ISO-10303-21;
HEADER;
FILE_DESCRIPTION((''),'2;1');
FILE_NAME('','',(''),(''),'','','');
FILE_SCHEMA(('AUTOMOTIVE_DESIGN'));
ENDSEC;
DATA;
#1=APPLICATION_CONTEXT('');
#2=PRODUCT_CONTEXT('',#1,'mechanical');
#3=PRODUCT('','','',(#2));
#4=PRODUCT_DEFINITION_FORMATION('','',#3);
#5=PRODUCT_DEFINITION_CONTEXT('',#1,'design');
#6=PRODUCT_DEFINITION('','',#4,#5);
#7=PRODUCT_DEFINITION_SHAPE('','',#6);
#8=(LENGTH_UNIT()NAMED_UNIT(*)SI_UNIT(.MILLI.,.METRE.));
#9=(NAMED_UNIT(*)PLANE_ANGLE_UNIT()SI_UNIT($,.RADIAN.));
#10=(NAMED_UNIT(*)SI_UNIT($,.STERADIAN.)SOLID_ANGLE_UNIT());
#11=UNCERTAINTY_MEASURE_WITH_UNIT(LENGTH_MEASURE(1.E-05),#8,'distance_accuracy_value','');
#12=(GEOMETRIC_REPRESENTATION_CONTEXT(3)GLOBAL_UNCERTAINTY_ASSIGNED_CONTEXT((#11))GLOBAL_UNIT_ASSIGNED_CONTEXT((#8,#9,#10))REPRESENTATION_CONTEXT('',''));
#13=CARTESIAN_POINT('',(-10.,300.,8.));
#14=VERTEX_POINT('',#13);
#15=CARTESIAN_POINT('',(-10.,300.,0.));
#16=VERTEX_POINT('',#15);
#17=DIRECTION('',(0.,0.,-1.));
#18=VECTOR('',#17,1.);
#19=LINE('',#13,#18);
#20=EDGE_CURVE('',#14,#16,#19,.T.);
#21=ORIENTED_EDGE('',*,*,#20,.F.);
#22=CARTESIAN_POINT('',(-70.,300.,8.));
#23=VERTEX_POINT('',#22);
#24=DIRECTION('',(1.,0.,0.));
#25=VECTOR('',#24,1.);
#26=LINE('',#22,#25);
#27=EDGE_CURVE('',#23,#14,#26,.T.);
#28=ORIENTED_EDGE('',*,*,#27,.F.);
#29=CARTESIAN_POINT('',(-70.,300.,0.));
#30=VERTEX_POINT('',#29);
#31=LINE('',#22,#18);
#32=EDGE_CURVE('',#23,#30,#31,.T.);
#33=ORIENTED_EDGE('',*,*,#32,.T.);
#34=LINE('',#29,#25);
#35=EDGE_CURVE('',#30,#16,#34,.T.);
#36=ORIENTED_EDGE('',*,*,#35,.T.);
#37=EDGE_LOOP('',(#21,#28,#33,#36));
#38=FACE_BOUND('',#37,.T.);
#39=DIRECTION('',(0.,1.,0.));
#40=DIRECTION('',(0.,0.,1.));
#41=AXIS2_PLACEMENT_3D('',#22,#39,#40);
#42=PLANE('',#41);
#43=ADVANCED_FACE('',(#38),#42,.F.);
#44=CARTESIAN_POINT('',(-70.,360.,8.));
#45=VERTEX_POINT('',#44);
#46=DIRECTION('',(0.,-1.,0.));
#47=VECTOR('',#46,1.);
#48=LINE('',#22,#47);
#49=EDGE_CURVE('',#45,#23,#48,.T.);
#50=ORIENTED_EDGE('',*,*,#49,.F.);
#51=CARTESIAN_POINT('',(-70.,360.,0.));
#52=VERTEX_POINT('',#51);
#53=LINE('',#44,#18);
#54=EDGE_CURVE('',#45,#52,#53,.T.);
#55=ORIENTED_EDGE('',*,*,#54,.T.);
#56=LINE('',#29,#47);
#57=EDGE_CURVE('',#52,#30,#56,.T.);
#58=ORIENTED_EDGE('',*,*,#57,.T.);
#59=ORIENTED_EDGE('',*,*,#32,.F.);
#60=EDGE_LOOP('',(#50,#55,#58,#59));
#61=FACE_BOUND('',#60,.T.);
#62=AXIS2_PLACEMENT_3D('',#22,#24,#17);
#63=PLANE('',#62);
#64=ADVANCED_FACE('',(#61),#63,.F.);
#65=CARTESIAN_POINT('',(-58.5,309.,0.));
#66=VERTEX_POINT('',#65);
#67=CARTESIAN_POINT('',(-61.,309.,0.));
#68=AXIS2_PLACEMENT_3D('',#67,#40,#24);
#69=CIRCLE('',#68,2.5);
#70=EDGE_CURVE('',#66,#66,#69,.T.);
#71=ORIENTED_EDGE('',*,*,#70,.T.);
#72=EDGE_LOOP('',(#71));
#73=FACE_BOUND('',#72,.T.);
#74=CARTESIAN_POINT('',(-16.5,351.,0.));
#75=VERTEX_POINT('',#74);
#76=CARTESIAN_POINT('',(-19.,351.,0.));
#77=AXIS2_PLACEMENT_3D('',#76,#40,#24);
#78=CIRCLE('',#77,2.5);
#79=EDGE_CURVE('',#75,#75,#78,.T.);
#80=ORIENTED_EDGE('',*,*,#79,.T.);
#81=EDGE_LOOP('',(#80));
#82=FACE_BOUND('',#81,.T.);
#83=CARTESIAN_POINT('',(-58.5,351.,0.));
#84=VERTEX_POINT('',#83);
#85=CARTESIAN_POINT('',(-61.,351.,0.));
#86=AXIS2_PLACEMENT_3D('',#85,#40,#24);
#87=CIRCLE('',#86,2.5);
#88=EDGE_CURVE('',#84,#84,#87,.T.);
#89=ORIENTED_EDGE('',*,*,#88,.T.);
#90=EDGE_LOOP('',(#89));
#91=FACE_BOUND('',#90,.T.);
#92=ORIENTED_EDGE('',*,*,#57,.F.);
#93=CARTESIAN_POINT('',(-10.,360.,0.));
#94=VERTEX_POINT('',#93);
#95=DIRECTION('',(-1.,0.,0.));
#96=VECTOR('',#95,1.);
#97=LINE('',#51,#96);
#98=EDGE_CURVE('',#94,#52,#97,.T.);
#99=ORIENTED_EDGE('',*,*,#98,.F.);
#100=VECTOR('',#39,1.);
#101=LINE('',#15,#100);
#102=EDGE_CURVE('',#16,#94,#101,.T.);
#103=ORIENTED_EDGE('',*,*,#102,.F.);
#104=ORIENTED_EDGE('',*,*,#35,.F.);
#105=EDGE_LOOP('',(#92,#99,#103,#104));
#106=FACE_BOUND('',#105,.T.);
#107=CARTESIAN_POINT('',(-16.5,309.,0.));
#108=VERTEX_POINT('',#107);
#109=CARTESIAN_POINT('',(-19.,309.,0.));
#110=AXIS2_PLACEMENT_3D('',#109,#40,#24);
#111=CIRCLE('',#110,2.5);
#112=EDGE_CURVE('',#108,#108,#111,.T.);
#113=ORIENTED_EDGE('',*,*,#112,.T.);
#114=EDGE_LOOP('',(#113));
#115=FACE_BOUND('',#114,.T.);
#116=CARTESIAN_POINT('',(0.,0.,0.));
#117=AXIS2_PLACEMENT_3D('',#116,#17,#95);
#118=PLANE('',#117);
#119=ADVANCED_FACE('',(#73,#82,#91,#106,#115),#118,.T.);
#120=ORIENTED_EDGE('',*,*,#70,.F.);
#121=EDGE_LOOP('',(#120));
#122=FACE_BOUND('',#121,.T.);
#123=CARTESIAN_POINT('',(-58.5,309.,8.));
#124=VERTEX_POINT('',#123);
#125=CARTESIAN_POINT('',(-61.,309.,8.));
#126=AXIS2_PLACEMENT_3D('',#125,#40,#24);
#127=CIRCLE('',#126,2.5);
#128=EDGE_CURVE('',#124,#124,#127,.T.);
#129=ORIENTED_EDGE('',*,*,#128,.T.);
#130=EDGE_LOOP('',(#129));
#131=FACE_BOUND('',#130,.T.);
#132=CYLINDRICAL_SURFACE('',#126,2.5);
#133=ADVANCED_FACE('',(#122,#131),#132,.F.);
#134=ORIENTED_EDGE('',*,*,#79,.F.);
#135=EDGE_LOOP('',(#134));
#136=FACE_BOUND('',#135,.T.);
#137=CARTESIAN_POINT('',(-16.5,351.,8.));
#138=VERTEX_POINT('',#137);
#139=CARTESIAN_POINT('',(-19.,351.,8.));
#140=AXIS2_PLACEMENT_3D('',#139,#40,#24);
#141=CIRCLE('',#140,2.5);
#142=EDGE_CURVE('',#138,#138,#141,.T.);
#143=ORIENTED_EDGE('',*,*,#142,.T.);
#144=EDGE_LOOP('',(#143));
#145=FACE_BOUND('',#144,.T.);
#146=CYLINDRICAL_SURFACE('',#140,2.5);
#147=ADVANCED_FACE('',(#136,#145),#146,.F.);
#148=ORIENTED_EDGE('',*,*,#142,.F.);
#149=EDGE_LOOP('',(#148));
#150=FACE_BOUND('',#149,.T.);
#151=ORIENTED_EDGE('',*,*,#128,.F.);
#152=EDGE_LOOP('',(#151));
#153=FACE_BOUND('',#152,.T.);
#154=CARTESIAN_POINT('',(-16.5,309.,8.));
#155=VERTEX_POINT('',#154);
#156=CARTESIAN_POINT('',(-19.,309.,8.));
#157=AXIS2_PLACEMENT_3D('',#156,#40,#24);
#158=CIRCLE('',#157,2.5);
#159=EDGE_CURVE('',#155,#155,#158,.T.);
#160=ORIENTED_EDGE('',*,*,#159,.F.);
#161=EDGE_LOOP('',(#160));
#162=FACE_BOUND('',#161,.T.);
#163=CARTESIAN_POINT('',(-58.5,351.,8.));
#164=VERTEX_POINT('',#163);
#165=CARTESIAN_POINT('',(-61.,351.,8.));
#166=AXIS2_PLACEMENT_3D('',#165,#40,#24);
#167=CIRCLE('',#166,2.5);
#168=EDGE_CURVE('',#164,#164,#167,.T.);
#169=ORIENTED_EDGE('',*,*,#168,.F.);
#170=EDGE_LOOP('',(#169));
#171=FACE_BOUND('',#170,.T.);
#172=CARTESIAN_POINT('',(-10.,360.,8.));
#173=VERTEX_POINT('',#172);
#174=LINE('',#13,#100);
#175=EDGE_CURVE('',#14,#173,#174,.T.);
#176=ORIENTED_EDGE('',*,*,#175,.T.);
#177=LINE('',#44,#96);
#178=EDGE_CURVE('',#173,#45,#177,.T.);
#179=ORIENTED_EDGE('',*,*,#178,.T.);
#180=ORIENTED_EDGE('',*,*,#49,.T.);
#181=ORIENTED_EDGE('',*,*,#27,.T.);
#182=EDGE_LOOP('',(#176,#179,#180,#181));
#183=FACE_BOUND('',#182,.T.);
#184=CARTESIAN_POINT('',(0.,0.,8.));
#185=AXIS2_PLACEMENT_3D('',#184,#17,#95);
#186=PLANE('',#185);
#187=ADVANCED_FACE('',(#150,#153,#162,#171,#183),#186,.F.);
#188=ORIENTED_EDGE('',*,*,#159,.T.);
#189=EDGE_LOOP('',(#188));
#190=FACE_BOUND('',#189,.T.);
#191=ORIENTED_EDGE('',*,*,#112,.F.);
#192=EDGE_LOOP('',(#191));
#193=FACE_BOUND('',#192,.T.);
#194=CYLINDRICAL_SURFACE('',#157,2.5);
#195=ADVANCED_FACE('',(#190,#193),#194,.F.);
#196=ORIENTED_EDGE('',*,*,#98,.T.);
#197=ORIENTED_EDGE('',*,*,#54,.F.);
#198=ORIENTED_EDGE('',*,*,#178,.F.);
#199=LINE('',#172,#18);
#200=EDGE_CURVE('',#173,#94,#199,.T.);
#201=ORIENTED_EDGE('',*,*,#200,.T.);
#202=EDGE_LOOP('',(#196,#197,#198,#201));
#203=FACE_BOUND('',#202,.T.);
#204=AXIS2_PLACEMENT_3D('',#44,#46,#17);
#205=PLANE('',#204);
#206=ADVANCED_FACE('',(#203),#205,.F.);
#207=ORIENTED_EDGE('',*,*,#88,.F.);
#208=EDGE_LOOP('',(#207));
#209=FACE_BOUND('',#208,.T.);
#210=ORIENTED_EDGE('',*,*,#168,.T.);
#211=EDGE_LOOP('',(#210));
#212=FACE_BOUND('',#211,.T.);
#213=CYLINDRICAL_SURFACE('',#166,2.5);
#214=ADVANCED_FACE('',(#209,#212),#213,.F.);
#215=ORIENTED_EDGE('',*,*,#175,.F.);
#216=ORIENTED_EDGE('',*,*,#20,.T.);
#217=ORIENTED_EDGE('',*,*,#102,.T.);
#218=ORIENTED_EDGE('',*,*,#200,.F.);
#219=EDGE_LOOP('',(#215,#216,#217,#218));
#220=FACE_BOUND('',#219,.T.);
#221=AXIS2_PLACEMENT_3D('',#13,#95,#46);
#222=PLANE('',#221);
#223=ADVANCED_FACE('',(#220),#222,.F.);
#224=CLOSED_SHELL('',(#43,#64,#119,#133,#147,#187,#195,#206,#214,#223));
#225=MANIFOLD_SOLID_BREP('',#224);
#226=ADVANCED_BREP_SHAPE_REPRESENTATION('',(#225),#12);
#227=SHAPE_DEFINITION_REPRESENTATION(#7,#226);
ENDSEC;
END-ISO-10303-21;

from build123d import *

# Parameters (mm, degrees)
SZKIC1_W                    = 60
SZKIC1_H                    = 60
DODANIE_WYCI_GNI_CIE1_DEPTH = 8
OTW_R_GWINTOWANY_M6X1_01_D  = 5


with BuildPart() as part:
    # Szkic1 → Dodanie-wyciągnięcie1 (new body)
    with BuildSketch(Plane.XY):
        with Locations((-40, 330)):
            Rectangle(SZKIC1_W, SZKIC1_H)
    extrude(amount=DODANIE_WYCI_GNI_CIE1_DEPTH)

    # Otwór gwintowany M6x1.01 (through all)
    with Locations(Plane.XY.offset(8)):
        with Locations((-19, 351), (-61, 351), (-61, 309), (-19, 309)):
            Hole(OTW_R_GWINTOWANY_M6X1_01_D / 2)


solid = part.part
